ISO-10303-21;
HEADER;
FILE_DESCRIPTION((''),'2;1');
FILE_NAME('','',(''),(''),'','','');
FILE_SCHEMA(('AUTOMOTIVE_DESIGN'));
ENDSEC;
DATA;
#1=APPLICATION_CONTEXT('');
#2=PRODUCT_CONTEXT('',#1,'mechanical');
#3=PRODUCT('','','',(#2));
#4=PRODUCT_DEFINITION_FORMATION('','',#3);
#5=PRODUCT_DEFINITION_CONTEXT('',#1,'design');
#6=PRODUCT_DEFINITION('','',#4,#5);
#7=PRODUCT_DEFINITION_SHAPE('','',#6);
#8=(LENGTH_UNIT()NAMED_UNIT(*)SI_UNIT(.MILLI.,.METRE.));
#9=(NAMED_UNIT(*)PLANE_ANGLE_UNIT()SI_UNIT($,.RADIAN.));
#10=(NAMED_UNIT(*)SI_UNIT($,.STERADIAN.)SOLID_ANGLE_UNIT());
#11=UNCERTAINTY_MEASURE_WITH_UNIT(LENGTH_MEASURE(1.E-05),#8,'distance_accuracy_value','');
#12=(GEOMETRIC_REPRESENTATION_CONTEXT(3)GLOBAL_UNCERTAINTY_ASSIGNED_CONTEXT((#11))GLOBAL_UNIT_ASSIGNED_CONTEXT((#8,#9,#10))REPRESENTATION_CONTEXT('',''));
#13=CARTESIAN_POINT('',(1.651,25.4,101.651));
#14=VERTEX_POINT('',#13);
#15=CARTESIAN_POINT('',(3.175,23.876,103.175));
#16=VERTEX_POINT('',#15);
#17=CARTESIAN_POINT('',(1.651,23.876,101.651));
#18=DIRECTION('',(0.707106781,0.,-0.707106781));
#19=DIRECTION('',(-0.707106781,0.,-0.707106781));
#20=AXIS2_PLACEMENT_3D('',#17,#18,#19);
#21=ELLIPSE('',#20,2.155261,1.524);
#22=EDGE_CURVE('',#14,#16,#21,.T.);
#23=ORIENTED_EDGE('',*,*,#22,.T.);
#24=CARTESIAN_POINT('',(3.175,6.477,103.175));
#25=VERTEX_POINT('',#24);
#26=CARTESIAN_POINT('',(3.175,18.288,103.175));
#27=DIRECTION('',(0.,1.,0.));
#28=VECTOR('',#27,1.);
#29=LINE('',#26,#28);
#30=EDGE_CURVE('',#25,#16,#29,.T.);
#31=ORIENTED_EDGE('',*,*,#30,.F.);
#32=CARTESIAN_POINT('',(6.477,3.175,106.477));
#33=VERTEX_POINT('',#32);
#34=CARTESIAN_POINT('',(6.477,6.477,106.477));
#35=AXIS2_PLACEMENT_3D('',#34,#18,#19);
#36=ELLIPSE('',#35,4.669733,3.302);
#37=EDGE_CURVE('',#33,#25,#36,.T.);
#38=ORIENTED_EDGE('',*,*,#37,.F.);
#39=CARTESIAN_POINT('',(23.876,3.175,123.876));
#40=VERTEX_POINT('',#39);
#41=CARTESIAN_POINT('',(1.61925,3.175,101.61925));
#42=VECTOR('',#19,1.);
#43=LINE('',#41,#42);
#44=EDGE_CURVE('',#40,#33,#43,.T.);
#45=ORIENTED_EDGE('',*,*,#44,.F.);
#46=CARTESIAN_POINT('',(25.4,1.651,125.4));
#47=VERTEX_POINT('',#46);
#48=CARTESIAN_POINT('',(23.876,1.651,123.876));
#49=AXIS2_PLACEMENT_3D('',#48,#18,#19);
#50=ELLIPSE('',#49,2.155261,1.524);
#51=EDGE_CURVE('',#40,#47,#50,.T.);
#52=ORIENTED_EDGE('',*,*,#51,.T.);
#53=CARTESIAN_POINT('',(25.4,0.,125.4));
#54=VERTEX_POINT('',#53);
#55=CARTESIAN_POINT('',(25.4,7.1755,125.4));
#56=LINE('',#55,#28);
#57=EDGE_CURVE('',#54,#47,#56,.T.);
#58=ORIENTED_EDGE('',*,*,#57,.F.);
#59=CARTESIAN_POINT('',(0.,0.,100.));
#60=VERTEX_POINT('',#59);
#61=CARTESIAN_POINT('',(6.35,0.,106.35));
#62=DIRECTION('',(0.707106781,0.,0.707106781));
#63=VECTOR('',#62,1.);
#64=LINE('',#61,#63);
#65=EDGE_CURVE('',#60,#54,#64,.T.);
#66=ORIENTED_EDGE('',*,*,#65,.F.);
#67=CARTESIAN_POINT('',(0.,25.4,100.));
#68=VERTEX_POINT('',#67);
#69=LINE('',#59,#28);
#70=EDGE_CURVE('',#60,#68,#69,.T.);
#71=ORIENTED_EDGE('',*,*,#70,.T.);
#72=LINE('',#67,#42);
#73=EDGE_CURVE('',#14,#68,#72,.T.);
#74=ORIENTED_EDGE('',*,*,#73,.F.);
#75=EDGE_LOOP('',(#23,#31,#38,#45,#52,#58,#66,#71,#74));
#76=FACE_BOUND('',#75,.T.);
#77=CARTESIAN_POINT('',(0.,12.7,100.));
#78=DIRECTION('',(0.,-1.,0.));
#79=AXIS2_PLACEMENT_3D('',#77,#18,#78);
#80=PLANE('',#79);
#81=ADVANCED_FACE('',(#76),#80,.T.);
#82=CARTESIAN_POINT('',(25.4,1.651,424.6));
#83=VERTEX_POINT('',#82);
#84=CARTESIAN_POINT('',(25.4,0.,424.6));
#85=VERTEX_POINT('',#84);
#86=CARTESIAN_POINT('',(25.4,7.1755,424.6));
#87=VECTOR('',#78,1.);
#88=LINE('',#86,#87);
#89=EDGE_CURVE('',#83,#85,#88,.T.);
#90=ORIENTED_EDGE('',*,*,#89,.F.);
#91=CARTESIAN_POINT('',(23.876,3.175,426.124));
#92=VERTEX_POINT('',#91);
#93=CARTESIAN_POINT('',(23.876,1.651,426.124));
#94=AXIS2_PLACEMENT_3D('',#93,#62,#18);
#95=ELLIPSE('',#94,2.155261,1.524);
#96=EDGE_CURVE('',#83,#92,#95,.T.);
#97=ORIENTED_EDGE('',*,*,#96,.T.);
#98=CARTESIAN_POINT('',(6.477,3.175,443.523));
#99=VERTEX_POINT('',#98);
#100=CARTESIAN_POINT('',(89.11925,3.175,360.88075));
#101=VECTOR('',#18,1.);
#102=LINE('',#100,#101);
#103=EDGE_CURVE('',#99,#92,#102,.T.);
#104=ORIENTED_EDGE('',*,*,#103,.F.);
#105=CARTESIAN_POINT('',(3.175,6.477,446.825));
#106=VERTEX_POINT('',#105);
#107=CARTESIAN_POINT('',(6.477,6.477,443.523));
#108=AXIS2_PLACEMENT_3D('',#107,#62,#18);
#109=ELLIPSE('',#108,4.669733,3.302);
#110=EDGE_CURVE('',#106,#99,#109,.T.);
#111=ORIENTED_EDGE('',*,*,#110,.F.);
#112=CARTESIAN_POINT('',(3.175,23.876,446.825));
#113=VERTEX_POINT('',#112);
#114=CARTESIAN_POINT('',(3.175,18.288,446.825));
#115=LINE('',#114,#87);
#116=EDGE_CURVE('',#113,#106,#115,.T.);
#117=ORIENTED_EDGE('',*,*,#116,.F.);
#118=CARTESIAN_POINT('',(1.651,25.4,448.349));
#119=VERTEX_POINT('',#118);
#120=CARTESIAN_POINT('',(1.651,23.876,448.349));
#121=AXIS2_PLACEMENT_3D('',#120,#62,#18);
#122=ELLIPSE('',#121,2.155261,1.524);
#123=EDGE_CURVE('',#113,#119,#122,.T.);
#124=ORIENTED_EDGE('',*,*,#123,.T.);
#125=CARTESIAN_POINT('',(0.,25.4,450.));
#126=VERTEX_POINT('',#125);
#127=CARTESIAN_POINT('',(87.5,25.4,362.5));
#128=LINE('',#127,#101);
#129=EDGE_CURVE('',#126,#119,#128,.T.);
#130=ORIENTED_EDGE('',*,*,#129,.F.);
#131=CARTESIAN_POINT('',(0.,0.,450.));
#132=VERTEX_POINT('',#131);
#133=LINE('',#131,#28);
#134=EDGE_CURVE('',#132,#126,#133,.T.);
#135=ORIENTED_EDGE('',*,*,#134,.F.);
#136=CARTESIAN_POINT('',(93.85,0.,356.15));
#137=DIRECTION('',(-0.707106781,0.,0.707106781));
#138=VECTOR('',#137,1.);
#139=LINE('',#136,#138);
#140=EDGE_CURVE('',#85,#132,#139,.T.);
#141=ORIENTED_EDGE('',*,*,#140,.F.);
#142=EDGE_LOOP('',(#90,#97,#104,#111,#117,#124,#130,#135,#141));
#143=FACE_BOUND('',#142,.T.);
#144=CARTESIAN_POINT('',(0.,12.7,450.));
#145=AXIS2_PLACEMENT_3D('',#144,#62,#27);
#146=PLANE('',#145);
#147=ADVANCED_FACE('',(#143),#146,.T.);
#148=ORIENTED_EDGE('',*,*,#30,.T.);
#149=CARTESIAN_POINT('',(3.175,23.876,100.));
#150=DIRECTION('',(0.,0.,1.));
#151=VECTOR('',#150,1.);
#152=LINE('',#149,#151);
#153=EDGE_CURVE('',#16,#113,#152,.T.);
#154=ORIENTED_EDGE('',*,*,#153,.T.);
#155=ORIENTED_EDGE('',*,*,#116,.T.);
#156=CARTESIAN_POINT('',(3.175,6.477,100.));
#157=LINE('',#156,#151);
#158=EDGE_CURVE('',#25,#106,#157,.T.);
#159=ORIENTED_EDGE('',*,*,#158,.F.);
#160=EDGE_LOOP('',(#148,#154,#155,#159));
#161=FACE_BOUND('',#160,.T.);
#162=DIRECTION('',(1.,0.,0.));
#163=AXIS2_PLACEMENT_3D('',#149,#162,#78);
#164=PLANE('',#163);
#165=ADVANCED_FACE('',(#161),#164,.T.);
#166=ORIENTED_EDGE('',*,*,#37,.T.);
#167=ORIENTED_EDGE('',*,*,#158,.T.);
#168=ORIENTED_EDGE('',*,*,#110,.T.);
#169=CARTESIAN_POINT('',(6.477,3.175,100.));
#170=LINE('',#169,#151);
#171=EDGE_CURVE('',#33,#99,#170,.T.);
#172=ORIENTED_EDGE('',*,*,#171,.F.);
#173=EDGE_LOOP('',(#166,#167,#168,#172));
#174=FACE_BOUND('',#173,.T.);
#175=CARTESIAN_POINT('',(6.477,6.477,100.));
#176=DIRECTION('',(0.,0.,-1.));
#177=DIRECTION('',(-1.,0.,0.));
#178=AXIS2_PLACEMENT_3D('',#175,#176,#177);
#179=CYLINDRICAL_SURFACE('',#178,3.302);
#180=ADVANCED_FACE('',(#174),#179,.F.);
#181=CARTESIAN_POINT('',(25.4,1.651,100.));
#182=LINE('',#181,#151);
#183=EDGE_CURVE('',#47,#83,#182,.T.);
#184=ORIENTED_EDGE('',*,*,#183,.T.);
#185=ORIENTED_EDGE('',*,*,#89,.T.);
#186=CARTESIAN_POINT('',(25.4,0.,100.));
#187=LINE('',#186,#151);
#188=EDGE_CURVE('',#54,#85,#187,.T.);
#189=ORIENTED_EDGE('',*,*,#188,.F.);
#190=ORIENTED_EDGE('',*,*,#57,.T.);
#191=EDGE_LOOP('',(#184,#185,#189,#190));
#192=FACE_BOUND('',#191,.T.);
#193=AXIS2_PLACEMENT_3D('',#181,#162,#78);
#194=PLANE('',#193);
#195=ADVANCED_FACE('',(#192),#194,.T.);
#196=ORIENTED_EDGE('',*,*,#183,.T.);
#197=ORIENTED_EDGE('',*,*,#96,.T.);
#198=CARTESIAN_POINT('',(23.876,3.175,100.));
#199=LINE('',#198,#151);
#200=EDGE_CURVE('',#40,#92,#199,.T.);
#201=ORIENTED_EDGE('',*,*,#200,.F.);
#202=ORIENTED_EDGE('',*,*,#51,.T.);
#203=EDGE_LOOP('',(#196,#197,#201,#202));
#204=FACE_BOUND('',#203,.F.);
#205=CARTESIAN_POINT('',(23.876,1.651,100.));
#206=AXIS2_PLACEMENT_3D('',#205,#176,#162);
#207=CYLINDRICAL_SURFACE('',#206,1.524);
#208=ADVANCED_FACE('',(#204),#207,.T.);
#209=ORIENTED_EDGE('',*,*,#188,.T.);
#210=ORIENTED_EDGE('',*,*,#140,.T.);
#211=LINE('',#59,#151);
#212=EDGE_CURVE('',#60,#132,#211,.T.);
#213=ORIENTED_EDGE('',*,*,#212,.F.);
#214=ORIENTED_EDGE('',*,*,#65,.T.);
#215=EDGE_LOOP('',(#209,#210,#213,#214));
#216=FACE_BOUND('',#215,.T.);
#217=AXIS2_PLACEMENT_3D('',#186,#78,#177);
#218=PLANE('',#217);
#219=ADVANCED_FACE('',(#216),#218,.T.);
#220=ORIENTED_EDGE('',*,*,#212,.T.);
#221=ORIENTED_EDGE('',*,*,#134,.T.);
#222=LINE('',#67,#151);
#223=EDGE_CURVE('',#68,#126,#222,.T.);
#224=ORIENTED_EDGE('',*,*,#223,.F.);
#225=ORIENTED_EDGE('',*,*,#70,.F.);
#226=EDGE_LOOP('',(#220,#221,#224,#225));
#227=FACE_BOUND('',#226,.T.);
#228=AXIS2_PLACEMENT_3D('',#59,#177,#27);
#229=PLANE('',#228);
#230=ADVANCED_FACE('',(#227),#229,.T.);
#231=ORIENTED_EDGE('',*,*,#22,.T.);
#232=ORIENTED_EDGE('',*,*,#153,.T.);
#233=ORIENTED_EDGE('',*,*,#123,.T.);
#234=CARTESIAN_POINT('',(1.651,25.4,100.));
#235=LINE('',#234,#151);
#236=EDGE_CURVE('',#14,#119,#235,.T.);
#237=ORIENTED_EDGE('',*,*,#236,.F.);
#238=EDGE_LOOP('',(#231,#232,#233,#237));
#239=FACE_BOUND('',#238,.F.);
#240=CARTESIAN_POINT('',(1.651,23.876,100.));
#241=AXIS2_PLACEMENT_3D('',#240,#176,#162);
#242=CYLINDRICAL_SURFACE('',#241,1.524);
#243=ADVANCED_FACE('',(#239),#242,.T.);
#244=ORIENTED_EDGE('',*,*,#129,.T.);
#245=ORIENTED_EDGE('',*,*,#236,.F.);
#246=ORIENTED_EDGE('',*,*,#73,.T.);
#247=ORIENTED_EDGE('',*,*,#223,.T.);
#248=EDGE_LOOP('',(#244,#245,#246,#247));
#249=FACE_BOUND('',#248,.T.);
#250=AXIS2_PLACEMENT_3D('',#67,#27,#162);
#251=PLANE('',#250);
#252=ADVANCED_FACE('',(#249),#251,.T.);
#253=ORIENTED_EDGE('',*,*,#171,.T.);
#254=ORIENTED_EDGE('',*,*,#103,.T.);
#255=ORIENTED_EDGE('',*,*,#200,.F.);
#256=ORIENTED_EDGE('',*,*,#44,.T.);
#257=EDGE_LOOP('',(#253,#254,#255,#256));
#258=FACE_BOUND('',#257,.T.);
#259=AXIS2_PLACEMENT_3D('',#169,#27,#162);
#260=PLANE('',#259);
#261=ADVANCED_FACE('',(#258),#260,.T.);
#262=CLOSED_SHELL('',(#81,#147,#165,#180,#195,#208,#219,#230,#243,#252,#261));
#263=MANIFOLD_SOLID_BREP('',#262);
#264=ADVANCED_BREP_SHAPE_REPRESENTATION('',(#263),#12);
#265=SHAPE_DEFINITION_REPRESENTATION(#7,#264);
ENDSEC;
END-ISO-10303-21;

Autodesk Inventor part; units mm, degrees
ref_plane "Start Plane" through (0, 0, 100) normal (0, 0, 1) x (1, 0, 0)
ref_plane "End Plane" through (0, 0, 450) normal (0, 0, 1) x (1, 0, 0)
sketch "Sketch" plane through (0, 0, 0) normal (0, 0, 1) x (1, 0, 0)
  line L0 (25.4, 0) -> (0, 0)
  line L1 (0, 0) -> (0, 25.4)
  line L2 (0, 25.4) -> (1.651, 25.4)
  line L3 (3.175, 23.876) -> (3.175, 6.477)
  line L4 (6.477, 3.175) -> (23.876, 3.175)
  line L5 (25.4, 1.651) -> (25.4, 0)
  line L6 (0, -11.0414) -> (0, 31.5385) construction
  line L7 (-11.0414, 0) -> (31.5385, 0) construction
  arc A0 (3.175, 6.477) -> (6.477, 3.175) centre (6.477, 6.477) ccw
  arc A1 (3.175, 23.876) -> (1.651, 25.4) centre (1.651, 23.876) ccw
  arc A2 (25.4, 1.651) -> (23.876, 3.175) centre (23.876, 1.651) ccw
  line L8 (0, 40.0545) -> (0, -19.5574) construction
  line L9 (-19.5574, 0) -> (40.0545, 0) construction
  point P0 (3.175, 25.4)
  point P1 (3.175, 3.175)
  point P2 (25.4, 3.175)
  dimension "d0" = 25.4
  dimension "d1" = 25.4
  dimension "d2" = 3.175
  dimension "d3" = 3.175
  dimension "d10" = 0
  dimension "d11" = 0
  dimension "d14" = 3.302
  dimension "d15" = 1.524
extrude "Body" add sketch "Sketch" along normal up to surface (350 mm away) from surface at 100
sketch "Sketch3" plane through (0, 0, 0) normal (0, 0, 1) x (1, 0, 0)
  line L0 (0, 0) -> (10, 0)
ref_plane "Work Plane3" through (0, 0, 0) normal (0, -1, 0) x (1, 0, 0)
ref_plane "Work Plane4" through (0, 12.7, 100) normal (0.7071, 0, -0.7071) x (-0.7071, 0, -0.7071)
split "Split1" plane through (0, 12.7, 100) removes the side toward (0.7071, 0, -0.7071)
ref_plane "Work Plane5" through (0, 12.7, 450) normal (0.7071, 0, 0.7071) x (0.7071, 0, -0.7071)
split "Split2" plane through (0, 12.7, 450) removes the side toward (0.7071, 0, 0.7071)
sketch "Sketch4" plane through (0, 0, 0) normal (0, -1, 0) x (1, 0, 0)
  line L0 (-2, 100) -> (12, 100) projected
  line L1 (-2, 450) -> (12, 450) projected
  dimension "d17" = 350
equation "\"d0\" = G_H"
equation "\"d1\" = G_H"
equation "\"d2\" = G_T"
equation "\"d3\" = G_T"
equation "\"d14\" = G_IR"
equation "\"d15\" = G_ER"
equation "\"d4\" = G_L"
equation "\"G_H\" = 25.4"
equation "\"G_T\" = 3.175"
equation "\"G_ER\" = 1.524"
equation "\"G_IR\" = 3.302"
equation "\"G_L\" = d17"
equation "\"ex\" = 0"
equation "\"G_OFFSET_START\" = -100"
equation "\"G_OFFSET_END\" = 0"
equation "\"d12\" = -G_OFFSET_START"
equation "\"d13\" = G_OFFSET_END + B_L"
equation "\"B_L\" = 450"
properties part number "AISC - L 1 x 1 x 1/8 - 13.78" material "Steel, Mild"
